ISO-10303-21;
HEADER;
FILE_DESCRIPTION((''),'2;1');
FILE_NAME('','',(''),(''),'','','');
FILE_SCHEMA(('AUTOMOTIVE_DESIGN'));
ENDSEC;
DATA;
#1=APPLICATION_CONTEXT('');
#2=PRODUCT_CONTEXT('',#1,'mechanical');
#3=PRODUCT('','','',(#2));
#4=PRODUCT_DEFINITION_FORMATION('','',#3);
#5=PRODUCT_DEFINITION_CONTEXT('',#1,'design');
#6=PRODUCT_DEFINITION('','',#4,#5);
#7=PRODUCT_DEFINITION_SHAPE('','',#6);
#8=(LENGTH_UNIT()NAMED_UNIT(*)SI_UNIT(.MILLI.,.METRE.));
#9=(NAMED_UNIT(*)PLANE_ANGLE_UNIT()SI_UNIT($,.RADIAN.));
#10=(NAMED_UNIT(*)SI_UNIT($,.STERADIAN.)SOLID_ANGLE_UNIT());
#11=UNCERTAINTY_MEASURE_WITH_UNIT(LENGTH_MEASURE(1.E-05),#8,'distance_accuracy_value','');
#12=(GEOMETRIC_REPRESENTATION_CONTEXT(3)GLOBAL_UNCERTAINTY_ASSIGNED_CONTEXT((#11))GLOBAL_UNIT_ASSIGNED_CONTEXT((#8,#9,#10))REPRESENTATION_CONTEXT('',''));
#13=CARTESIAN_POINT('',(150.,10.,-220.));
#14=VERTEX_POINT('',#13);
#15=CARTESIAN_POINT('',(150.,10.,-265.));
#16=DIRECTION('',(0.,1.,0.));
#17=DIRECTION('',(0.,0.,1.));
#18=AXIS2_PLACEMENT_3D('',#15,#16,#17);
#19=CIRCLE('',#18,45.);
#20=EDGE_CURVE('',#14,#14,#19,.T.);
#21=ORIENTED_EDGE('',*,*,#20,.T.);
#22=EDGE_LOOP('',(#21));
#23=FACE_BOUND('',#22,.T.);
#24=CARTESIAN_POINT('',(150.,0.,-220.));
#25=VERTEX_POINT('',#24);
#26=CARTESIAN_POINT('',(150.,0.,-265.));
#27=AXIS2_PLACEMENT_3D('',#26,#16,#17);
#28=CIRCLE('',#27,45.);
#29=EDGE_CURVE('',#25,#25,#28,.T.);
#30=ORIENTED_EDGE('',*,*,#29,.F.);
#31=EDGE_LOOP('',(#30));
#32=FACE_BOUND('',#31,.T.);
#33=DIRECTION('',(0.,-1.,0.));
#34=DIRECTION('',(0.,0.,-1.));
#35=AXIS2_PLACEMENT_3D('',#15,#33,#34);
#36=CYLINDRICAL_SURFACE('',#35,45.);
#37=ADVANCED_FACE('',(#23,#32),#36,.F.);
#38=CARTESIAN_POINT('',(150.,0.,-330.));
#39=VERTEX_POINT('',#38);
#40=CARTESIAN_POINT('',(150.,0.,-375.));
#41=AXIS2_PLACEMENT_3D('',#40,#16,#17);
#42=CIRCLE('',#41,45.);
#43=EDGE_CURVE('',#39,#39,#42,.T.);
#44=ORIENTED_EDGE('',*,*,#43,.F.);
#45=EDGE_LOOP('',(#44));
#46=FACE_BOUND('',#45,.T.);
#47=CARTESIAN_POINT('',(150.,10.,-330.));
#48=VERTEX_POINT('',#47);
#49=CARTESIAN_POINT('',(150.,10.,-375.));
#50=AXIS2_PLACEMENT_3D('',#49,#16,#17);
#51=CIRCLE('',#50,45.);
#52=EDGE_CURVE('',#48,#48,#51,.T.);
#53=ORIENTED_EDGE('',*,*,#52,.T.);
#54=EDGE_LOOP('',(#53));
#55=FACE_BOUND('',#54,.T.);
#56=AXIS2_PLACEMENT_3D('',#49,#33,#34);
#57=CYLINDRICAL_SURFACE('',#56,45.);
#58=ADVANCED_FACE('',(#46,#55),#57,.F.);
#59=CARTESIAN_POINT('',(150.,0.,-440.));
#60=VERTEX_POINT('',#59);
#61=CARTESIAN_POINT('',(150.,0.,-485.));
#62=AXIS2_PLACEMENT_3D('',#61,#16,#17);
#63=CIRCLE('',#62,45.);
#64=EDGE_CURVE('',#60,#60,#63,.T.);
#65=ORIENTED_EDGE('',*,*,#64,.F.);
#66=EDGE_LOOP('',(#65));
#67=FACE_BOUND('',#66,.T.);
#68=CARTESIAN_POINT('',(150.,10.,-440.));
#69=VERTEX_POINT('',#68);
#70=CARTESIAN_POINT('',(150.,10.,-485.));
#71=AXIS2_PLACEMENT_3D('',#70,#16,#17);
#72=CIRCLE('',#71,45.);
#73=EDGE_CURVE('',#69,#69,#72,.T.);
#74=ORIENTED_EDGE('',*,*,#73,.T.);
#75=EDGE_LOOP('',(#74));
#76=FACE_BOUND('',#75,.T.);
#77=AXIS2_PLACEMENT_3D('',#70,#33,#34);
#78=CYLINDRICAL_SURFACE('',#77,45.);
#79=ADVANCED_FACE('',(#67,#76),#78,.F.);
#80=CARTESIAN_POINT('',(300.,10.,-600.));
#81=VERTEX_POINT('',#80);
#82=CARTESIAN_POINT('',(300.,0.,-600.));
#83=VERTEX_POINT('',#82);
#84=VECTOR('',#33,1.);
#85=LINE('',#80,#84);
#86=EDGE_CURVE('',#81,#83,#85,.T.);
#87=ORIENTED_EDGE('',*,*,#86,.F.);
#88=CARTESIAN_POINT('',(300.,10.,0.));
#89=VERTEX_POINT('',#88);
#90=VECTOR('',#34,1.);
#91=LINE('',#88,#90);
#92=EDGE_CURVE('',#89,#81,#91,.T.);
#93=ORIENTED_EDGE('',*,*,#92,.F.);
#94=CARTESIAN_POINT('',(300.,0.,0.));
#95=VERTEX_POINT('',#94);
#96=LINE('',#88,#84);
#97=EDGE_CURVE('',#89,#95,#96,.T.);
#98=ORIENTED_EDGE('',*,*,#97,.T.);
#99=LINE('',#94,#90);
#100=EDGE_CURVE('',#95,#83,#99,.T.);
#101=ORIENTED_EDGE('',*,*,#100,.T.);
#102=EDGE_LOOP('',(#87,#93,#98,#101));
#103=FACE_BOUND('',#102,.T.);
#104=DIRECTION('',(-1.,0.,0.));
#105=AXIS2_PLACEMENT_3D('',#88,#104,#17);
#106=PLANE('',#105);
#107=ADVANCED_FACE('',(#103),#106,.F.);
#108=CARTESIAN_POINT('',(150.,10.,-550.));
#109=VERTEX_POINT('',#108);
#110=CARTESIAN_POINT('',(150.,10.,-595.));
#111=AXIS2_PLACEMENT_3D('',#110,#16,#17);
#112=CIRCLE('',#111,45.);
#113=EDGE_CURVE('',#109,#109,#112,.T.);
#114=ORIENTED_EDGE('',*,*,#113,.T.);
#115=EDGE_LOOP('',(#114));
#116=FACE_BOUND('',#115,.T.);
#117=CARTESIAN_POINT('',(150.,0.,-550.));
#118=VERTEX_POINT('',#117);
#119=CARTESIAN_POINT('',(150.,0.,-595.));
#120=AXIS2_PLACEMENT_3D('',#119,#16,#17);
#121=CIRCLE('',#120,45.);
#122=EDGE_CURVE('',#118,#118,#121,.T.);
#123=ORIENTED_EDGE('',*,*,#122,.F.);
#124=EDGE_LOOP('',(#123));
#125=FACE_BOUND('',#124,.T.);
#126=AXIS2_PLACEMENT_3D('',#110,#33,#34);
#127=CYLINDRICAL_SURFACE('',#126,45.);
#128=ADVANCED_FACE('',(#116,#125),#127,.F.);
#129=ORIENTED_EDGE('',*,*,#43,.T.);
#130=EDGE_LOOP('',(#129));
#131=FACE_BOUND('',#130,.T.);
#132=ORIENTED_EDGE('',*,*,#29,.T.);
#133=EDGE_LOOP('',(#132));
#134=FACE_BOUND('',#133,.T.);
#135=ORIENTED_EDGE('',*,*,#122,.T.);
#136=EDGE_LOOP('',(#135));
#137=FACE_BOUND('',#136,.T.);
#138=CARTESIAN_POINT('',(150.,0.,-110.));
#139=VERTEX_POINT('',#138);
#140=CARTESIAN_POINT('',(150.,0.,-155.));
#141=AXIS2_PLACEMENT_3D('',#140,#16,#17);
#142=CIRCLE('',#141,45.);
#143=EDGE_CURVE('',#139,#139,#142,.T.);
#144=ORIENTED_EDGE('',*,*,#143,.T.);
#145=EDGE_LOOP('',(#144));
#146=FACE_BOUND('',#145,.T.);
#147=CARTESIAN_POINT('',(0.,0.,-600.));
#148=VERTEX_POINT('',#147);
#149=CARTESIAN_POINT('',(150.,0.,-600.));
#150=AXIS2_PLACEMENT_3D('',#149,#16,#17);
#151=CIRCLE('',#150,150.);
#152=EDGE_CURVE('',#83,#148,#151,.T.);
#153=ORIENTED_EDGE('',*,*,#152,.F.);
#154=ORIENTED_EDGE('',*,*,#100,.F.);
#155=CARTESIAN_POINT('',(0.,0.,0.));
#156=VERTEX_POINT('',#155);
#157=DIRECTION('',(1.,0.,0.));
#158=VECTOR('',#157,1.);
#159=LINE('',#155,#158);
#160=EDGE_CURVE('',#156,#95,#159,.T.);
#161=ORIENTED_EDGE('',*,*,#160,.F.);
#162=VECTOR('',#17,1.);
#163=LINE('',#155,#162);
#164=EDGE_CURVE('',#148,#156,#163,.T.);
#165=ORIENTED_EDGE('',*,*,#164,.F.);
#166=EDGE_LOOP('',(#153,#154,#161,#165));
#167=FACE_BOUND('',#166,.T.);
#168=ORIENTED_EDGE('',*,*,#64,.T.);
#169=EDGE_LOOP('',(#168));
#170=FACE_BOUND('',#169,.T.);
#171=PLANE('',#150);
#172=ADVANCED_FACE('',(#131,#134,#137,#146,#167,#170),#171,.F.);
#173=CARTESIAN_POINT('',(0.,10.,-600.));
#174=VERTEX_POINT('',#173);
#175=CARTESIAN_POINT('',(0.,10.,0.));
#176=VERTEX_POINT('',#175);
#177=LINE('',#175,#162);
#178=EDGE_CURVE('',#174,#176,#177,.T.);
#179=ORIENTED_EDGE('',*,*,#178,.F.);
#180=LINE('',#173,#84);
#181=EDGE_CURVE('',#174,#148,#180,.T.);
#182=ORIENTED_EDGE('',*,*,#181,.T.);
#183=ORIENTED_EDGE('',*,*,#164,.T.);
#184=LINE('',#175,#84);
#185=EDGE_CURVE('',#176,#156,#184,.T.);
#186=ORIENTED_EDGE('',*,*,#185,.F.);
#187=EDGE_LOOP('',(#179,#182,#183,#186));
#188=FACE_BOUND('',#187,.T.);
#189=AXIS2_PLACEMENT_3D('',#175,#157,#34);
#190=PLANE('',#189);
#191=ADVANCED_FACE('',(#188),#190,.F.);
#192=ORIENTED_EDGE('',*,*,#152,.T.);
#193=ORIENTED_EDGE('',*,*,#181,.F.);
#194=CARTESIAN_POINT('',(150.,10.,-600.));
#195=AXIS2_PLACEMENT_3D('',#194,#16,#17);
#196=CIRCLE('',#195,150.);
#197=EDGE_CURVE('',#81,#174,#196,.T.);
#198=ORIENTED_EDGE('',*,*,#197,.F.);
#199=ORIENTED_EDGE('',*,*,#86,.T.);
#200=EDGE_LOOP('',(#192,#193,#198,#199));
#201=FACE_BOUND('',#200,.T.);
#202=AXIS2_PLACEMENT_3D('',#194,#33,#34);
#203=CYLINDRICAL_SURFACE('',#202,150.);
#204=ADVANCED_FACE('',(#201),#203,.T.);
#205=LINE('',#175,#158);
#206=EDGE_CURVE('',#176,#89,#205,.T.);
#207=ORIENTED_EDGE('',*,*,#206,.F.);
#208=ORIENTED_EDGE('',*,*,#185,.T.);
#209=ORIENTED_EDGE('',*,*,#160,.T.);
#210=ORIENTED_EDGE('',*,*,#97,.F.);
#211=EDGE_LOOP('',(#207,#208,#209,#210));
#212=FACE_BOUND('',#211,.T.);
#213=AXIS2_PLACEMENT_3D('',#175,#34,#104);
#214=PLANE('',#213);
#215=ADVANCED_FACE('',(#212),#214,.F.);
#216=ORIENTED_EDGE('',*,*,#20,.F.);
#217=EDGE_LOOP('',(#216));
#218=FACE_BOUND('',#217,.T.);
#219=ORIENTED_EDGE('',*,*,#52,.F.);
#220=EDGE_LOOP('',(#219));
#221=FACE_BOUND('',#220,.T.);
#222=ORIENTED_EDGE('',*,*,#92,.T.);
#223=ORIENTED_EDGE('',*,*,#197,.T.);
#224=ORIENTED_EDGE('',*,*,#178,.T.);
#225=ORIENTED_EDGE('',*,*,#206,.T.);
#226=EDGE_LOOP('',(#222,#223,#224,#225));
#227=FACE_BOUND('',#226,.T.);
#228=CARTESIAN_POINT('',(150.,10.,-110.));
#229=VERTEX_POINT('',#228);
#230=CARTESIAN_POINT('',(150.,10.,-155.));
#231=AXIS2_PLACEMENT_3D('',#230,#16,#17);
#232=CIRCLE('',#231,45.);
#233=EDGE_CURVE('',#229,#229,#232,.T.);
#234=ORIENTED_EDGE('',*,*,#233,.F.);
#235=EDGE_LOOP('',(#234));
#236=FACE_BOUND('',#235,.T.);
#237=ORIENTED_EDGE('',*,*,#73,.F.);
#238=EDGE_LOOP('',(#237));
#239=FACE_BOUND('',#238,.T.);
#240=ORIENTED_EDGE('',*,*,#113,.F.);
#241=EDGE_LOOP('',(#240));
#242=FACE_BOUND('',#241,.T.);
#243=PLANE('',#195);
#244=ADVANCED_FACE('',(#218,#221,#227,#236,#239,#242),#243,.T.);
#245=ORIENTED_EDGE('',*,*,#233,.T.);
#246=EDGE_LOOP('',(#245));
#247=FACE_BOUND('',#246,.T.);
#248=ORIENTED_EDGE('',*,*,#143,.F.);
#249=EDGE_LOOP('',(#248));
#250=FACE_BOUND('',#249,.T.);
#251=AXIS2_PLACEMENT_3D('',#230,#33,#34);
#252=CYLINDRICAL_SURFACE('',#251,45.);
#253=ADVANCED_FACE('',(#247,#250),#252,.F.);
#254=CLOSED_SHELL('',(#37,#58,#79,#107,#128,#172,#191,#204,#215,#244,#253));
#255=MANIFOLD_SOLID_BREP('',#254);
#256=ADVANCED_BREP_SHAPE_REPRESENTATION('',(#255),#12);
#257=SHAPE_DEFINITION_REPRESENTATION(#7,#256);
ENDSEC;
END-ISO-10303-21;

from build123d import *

# Parameters (mm, degrees)
ESQUISSE1_R        = 45
BOSS_EXTRU_1_DEPTH = 10


with BuildPart() as part:
    # Esquisse1 → Boss.-Extru.1 (new body)
    with BuildSketch(Plane(origin=(0, 0, 0), x_dir=(1, 0, 0), z_dir=(0, 1, 0))):
        with BuildLine():
            Line((0, 0), (0, 600))
            ThreePointArc((0, 600), (150, 750), (300, 600))
            Line((300, 600), (300, 0))
            Line((300, 0), (0, 0))
        make_face()
        with Locations(Location((150, 155, 0), (0, 0, 270))):
            Circle(ESQUISSE1_R, mode=Mode.SUBTRACT)
        with Locations(Location((150, 265, 0), (0, 0, 270))):
            Circle(ESQUISSE1_R, mode=Mode.SUBTRACT)
        with Locations(Location((150, 375, 0), (0, 0, 270))):
            Circle(ESQUISSE1_R, mode=Mode.SUBTRACT)
        with Locations(Location((150, 485, 0), (0, 0, 270))):
            Circle(ESQUISSE1_R, mode=Mode.SUBTRACT)
        with Locations(Location((150, 595, 0), (0, 0, 270))):
            Circle(ESQUISSE1_R, mode=Mode.SUBTRACT)
    extrude(amount=BOSS_EXTRU_1_DEPTH)


solid = part.part
